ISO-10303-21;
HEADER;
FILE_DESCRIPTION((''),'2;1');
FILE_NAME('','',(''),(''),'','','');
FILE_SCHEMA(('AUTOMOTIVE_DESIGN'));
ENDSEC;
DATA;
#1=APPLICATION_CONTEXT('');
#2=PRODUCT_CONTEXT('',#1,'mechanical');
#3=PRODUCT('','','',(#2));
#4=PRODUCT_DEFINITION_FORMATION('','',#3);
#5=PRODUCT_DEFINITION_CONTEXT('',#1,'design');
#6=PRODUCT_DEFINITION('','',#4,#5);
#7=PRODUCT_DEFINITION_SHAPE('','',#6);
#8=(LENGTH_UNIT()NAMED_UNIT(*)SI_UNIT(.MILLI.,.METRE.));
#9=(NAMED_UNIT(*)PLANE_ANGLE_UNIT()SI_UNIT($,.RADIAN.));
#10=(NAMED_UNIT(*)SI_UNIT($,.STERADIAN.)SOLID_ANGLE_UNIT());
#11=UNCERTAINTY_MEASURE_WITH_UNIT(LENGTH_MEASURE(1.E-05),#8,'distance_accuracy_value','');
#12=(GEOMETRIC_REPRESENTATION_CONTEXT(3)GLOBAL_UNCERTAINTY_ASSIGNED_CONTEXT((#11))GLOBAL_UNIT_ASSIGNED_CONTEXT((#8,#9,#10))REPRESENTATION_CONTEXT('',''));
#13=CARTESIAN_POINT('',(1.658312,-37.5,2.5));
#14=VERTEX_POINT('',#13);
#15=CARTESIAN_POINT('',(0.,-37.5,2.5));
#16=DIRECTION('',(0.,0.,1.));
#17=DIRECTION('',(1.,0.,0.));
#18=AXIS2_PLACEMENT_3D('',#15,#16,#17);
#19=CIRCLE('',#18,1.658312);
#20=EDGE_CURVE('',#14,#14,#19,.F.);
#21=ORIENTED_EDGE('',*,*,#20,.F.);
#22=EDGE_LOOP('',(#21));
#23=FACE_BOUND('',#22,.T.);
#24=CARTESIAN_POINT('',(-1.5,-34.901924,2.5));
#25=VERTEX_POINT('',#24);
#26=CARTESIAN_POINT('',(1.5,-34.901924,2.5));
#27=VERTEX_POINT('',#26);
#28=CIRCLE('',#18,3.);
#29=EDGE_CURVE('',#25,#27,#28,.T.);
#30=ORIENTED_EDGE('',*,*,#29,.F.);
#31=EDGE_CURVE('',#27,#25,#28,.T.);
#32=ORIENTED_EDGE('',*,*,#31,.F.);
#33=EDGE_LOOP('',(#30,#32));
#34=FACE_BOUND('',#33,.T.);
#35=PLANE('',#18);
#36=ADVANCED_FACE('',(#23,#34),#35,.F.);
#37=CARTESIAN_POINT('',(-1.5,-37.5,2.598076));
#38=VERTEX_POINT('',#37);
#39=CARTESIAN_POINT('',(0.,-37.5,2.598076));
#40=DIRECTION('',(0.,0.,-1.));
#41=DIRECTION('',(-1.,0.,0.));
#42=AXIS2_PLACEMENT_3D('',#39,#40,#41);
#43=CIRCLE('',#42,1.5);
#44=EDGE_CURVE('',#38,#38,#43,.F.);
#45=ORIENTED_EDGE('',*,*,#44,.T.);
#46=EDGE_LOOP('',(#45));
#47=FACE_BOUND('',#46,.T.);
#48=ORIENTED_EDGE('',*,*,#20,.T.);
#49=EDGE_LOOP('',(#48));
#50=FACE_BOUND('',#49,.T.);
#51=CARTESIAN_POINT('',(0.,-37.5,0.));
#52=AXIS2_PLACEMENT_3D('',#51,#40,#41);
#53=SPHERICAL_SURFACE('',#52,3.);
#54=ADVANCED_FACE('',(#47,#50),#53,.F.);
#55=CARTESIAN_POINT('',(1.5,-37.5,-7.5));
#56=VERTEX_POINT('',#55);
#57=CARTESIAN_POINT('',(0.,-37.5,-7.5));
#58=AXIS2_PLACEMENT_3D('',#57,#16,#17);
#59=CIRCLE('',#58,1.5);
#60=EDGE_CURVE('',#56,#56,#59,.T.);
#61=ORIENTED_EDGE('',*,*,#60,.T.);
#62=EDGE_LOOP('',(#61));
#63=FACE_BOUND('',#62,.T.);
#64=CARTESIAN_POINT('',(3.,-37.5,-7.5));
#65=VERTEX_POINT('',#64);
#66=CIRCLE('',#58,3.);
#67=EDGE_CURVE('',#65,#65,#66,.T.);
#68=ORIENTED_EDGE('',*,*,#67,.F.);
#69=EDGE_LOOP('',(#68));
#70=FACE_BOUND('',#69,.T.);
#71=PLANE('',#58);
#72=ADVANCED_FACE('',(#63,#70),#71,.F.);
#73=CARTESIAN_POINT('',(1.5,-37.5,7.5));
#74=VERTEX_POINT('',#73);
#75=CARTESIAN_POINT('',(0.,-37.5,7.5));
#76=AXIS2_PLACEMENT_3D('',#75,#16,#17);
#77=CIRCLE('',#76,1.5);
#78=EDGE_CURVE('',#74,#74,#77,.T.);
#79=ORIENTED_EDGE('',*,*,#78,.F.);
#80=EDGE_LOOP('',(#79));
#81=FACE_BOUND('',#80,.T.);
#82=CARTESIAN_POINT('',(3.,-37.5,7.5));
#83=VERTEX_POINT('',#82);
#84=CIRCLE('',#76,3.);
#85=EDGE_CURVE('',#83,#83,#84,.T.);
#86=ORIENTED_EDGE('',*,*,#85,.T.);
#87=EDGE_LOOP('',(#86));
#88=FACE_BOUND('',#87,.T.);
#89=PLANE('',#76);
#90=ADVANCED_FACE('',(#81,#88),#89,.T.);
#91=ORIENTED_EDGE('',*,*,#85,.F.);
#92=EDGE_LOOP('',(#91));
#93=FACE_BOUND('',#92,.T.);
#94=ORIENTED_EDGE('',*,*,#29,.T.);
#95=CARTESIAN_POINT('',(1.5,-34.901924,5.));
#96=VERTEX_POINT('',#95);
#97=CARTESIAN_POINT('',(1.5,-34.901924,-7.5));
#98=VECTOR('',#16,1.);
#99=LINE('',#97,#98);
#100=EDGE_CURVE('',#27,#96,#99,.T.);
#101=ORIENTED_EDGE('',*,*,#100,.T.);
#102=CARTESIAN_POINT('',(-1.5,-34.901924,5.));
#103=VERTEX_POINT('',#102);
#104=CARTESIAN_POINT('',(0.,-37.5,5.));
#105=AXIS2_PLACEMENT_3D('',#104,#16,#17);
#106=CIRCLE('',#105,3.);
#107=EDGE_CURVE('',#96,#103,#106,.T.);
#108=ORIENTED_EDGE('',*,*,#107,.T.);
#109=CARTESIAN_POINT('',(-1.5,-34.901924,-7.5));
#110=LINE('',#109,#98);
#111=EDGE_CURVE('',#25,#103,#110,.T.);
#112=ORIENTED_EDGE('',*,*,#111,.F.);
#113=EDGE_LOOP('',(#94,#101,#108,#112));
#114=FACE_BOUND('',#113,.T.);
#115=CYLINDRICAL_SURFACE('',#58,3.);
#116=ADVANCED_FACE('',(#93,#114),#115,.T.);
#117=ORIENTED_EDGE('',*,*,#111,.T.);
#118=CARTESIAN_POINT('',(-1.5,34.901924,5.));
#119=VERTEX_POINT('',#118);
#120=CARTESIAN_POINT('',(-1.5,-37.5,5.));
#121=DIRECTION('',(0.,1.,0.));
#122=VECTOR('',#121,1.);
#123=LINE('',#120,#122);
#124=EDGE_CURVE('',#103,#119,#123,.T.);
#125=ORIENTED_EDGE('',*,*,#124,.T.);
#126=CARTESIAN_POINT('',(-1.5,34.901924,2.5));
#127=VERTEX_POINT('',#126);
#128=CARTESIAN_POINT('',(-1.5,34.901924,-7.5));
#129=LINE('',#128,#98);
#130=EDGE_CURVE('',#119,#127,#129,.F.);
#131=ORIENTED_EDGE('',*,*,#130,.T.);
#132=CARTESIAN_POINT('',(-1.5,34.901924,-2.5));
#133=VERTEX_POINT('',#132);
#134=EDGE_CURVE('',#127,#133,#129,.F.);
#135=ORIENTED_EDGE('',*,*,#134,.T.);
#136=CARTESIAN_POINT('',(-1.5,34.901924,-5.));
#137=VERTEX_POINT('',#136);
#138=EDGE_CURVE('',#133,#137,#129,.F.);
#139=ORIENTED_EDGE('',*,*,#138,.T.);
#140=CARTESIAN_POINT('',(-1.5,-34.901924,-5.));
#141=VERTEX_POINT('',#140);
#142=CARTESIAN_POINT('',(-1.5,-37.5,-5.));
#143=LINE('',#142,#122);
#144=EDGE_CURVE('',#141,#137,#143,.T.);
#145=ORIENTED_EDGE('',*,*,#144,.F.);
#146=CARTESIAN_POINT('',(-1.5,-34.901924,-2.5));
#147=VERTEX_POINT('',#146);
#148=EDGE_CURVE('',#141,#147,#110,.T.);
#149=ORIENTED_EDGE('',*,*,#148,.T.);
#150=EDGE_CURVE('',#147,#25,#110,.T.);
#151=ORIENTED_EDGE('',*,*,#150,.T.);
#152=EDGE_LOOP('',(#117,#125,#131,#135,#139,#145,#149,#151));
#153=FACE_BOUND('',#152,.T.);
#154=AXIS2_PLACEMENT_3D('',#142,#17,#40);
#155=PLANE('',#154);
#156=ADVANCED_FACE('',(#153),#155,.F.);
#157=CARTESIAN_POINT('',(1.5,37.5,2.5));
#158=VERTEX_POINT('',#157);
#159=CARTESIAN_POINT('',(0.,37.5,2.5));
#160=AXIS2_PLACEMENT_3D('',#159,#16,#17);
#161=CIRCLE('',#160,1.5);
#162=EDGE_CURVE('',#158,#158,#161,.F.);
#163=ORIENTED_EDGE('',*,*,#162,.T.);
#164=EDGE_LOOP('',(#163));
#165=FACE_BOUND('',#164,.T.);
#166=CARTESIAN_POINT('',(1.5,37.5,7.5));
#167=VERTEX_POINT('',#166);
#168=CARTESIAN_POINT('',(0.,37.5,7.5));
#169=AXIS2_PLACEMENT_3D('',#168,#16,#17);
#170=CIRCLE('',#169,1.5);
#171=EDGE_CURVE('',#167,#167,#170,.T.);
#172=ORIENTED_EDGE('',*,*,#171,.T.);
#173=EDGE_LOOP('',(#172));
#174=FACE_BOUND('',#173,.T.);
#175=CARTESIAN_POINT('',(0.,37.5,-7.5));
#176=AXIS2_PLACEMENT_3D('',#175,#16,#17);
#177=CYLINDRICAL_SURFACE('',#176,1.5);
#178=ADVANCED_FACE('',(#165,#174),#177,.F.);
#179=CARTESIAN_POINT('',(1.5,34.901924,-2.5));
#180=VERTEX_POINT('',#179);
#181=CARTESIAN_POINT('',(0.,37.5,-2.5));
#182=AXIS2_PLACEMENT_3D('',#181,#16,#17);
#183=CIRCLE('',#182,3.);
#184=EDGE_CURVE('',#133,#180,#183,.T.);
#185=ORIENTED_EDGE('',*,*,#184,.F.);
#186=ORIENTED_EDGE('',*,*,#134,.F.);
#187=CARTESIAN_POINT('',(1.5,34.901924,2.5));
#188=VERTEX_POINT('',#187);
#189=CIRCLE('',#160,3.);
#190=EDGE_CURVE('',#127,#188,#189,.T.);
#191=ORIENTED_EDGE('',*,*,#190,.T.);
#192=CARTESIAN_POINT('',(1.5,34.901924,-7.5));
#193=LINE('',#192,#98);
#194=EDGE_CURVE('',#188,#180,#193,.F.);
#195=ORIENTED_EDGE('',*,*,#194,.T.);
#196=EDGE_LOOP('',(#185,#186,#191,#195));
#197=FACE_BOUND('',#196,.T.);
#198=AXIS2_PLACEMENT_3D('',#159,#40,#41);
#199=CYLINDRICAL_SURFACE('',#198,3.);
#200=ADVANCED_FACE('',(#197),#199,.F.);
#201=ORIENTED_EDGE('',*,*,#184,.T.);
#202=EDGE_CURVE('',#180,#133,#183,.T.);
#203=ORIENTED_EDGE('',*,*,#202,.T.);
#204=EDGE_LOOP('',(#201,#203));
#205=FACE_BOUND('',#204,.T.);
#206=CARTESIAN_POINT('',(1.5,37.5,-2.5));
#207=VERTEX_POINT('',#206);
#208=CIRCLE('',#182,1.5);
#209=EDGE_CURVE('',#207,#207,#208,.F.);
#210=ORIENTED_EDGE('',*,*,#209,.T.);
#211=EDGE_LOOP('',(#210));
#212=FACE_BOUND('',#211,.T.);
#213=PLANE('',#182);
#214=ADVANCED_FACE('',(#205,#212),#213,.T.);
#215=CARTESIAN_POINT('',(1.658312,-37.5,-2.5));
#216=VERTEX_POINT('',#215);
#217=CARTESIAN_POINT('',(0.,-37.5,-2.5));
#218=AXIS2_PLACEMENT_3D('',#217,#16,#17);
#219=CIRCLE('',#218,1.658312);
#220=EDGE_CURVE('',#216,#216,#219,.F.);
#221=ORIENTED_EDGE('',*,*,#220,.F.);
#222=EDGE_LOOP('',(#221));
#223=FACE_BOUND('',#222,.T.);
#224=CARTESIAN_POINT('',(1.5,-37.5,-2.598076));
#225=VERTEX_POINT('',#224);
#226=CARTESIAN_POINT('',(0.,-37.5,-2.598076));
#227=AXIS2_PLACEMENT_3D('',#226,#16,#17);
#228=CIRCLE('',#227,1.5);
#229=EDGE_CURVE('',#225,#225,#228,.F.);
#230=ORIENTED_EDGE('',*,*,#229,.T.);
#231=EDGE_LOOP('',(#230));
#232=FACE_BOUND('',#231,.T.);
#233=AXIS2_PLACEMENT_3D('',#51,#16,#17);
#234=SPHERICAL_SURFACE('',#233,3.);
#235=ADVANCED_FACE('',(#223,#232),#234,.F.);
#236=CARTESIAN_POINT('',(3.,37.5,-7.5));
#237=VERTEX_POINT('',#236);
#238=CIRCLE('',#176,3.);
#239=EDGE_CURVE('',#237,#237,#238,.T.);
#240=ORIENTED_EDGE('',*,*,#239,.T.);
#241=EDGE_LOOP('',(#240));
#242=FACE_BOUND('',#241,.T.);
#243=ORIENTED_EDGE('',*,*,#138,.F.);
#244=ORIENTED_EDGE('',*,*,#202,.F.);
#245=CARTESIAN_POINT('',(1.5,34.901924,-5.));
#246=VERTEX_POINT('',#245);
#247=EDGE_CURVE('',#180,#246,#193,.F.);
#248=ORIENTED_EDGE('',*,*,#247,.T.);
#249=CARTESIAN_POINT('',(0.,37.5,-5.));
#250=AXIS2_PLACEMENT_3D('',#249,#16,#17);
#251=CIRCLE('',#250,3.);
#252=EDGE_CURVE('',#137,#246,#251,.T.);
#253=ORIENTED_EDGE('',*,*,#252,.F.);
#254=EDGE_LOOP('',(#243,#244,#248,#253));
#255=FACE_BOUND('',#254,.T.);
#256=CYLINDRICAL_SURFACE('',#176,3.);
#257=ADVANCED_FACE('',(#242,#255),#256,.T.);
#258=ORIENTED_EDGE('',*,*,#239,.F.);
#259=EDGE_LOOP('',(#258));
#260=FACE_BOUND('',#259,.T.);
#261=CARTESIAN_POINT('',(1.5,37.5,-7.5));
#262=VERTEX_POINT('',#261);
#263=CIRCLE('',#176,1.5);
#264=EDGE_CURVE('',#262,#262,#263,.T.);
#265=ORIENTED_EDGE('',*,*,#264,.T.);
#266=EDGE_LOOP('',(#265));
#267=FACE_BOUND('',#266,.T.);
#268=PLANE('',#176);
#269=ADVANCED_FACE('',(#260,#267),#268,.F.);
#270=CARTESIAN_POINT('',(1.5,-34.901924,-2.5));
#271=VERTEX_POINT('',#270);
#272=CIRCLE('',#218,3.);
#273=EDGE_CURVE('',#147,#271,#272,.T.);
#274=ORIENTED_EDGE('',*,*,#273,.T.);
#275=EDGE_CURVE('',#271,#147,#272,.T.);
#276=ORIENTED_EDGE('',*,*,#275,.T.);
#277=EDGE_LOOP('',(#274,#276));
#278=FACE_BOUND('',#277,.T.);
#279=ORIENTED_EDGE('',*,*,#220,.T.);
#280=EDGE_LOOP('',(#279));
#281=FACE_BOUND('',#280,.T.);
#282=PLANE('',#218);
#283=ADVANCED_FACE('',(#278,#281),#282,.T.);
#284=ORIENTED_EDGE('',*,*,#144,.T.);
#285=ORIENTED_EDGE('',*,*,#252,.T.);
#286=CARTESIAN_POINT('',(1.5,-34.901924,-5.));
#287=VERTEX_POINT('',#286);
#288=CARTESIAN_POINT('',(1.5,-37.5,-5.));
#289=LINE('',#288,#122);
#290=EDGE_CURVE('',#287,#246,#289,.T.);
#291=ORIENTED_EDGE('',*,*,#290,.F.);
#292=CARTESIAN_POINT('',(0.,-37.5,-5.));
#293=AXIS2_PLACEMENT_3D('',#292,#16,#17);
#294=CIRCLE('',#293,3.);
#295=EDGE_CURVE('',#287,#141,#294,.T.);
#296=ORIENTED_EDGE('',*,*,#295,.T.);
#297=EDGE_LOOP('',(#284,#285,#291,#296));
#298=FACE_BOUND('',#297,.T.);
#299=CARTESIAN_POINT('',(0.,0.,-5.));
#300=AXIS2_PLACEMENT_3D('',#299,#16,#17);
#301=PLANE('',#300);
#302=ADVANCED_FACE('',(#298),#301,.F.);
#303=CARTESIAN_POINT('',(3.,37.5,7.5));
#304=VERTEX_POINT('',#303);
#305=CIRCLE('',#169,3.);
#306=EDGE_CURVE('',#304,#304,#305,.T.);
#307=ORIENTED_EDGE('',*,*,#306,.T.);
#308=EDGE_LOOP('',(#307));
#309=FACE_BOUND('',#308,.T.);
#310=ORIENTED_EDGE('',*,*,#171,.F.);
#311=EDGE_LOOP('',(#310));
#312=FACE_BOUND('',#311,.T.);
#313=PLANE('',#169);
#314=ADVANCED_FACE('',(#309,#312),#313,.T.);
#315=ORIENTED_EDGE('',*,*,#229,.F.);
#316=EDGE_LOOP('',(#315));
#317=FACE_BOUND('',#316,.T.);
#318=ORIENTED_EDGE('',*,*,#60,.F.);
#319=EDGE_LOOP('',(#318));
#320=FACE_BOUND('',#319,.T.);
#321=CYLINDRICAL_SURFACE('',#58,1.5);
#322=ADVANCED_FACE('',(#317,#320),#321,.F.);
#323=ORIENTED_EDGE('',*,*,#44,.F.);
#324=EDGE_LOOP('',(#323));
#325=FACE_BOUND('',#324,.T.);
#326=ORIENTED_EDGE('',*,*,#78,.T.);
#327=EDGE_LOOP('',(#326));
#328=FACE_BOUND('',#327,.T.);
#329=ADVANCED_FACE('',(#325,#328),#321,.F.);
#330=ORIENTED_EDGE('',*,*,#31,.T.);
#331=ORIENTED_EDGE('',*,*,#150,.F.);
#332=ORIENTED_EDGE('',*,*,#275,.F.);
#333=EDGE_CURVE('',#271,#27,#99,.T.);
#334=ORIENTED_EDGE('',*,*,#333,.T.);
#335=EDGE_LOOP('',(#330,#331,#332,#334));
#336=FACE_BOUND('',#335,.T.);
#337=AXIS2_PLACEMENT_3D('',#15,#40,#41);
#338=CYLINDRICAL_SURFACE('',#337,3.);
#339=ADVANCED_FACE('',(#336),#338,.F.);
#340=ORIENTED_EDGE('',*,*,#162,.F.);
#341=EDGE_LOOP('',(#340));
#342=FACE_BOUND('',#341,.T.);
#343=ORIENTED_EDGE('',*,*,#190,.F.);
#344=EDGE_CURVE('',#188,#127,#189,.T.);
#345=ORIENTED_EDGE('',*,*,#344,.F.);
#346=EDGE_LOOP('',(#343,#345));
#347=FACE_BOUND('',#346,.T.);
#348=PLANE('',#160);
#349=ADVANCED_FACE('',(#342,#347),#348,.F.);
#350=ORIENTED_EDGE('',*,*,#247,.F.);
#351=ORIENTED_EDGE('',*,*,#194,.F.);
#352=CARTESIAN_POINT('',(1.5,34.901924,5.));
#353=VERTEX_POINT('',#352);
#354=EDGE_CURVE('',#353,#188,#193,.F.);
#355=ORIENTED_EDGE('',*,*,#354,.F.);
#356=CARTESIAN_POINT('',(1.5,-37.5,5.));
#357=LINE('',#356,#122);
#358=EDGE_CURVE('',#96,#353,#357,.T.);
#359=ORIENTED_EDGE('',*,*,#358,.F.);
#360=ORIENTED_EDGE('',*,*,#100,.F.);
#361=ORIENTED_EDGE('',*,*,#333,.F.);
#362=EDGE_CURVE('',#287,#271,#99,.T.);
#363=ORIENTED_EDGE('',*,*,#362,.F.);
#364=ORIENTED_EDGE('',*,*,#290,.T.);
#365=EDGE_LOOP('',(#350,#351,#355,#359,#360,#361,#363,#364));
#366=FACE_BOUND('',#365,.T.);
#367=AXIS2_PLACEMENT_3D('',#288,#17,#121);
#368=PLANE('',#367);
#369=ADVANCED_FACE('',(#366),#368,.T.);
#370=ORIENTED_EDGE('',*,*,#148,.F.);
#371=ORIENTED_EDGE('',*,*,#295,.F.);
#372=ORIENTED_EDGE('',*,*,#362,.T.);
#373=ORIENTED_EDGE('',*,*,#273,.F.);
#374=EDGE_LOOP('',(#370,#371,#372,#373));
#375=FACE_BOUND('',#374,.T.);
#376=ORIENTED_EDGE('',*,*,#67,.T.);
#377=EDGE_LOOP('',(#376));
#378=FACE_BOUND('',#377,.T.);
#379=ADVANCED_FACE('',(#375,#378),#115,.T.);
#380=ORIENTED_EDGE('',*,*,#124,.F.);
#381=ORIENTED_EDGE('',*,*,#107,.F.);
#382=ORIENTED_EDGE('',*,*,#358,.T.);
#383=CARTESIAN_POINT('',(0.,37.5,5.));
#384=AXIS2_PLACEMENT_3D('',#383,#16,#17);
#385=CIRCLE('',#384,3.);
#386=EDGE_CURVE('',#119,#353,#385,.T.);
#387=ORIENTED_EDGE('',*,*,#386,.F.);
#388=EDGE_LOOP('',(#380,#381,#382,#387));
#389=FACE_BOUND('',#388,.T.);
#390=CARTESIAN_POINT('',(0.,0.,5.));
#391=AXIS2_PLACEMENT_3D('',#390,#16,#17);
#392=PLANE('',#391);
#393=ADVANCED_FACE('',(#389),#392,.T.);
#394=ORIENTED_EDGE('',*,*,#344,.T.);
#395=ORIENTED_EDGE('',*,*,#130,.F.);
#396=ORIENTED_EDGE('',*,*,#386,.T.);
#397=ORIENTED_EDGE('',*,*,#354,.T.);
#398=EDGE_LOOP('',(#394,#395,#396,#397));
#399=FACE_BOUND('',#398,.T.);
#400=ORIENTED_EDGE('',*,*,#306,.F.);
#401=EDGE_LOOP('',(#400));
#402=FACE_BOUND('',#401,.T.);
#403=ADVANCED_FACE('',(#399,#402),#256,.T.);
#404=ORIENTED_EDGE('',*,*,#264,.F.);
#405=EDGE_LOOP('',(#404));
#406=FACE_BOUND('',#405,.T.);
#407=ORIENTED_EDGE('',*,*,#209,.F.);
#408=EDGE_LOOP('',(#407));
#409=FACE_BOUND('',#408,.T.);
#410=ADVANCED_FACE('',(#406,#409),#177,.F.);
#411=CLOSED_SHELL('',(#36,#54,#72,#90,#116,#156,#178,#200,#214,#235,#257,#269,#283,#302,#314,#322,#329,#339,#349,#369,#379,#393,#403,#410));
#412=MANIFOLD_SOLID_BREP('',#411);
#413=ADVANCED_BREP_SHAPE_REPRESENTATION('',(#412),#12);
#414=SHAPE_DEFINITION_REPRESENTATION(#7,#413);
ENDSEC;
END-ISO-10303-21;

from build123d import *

# Parameters (mm, degrees)
SALIENTE_EXTRUIR1_DEPTH      = 5
SALIENTE_EXTRUIR1_DEPTH_BACK = 5
CROQUIS1_W                   = 3
CROQUIS1_H                   = 75
SALIENTE_EXTRUIR3_DEPTH      = 7.5
SALIENTE_EXTRUIR3_DEPTH_BACK = 7.5
CROQUIS1_4_R                 = 3
CROQUIS1_4_R_2               = 1.5
CORTAR_EXTRUIR1_DEPTH        = 2.5
CORTAR_EXTRUIR1_DEPTH_BACK   = 2.5
CROQUIS1_5_R                 = 3
CORTAR_EXTRUIR2_DEPTH        = 10
CORTAR_EXTRUIR2_DEPTH_BACK   = 10
CROQUIS1_6_R                 = 1.5


with BuildPart() as part:
    # Croquis1 → Saliente-Extruir1 (new, two sides: drawn at the far end of the back side and taken through both)
    with BuildSketch(Plane.XY.offset(-SALIENTE_EXTRUIR1_DEPTH_BACK)):
        Rectangle(CROQUIS1_W, CROQUIS1_H)
    extrude(amount=SALIENTE_EXTRUIR1_DEPTH + SALIENTE_EXTRUIR1_DEPTH_BACK)

    # Croquis1<4> → Saliente-Extruir3 (add, two sides: drawn at the far end of the back side and taken through both)
    # profile 1 of 2: a face of its own
    with BuildSketch(Plane.XY.offset(-SALIENTE_EXTRUIR3_DEPTH_BACK)):
        with Locations((0, 37.5)):
            Circle(CROQUIS1_4_R)
        with Locations((0, 37.5)):
            Circle(CROQUIS1_4_R_2, mode=Mode.SUBTRACT)
    # profile 2 of 2: a face of its own
    with BuildSketch(Plane.XY.offset(-SALIENTE_EXTRUIR3_DEPTH_BACK)):
        with Locations((0, -37.5)):
            Circle(CROQUIS1_4_R)
        with Locations((0, -37.5)):
            Circle(CROQUIS1_4_R_2, mode=Mode.SUBTRACT)
    extrude(amount=SALIENTE_EXTRUIR3_DEPTH + SALIENTE_EXTRUIR3_DEPTH_BACK)

    # Croquis1<5> → Cortar-Extruir1 (cut, two sides: drawn at the far end of the back side and taken through both)
    with BuildSketch(Plane.XY.offset(-CORTAR_EXTRUIR1_DEPTH_BACK)):
        with Locations((0, 37.5)):
            Circle(CROQUIS1_5_R)
        with Locations((0, -37.5)):
            Circle(CROQUIS1_5_R)
    extrude(amount=CORTAR_EXTRUIR1_DEPTH + CORTAR_EXTRUIR1_DEPTH_BACK, mode=Mode.SUBTRACT)

    # Croquis1<6> → Cortar-Extruir2 (cut, two sides: drawn at the far end of the back side and taken through both)
    with BuildSketch(Plane.XY.offset(-CORTAR_EXTRUIR2_DEPTH_BACK)):
        with Locations((0, 37.5)):
            Circle(CROQUIS1_6_R)
        with Locations((0, -37.5)):
            Circle(CROQUIS1_6_R)
    extrude(amount=CORTAR_EXTRUIR2_DEPTH + CORTAR_EXTRUIR2_DEPTH_BACK, mode=Mode.SUBTRACT)

    # Croquis1<11> → Cortar-Revolución2 (revolve, cut)
    with BuildSketch(Plane.XY):
        with BuildLine():
            ThreePointArc((-3, -37.5), (0, -40.5), (3, -37.5))
            Line((3, -37.5), (-3, -37.5))
        make_face()
    revolve(axis=Axis((3, -37.5, 0), (-1, 0, 0)), mode=Mode.SUBTRACT)


solid = part.part
